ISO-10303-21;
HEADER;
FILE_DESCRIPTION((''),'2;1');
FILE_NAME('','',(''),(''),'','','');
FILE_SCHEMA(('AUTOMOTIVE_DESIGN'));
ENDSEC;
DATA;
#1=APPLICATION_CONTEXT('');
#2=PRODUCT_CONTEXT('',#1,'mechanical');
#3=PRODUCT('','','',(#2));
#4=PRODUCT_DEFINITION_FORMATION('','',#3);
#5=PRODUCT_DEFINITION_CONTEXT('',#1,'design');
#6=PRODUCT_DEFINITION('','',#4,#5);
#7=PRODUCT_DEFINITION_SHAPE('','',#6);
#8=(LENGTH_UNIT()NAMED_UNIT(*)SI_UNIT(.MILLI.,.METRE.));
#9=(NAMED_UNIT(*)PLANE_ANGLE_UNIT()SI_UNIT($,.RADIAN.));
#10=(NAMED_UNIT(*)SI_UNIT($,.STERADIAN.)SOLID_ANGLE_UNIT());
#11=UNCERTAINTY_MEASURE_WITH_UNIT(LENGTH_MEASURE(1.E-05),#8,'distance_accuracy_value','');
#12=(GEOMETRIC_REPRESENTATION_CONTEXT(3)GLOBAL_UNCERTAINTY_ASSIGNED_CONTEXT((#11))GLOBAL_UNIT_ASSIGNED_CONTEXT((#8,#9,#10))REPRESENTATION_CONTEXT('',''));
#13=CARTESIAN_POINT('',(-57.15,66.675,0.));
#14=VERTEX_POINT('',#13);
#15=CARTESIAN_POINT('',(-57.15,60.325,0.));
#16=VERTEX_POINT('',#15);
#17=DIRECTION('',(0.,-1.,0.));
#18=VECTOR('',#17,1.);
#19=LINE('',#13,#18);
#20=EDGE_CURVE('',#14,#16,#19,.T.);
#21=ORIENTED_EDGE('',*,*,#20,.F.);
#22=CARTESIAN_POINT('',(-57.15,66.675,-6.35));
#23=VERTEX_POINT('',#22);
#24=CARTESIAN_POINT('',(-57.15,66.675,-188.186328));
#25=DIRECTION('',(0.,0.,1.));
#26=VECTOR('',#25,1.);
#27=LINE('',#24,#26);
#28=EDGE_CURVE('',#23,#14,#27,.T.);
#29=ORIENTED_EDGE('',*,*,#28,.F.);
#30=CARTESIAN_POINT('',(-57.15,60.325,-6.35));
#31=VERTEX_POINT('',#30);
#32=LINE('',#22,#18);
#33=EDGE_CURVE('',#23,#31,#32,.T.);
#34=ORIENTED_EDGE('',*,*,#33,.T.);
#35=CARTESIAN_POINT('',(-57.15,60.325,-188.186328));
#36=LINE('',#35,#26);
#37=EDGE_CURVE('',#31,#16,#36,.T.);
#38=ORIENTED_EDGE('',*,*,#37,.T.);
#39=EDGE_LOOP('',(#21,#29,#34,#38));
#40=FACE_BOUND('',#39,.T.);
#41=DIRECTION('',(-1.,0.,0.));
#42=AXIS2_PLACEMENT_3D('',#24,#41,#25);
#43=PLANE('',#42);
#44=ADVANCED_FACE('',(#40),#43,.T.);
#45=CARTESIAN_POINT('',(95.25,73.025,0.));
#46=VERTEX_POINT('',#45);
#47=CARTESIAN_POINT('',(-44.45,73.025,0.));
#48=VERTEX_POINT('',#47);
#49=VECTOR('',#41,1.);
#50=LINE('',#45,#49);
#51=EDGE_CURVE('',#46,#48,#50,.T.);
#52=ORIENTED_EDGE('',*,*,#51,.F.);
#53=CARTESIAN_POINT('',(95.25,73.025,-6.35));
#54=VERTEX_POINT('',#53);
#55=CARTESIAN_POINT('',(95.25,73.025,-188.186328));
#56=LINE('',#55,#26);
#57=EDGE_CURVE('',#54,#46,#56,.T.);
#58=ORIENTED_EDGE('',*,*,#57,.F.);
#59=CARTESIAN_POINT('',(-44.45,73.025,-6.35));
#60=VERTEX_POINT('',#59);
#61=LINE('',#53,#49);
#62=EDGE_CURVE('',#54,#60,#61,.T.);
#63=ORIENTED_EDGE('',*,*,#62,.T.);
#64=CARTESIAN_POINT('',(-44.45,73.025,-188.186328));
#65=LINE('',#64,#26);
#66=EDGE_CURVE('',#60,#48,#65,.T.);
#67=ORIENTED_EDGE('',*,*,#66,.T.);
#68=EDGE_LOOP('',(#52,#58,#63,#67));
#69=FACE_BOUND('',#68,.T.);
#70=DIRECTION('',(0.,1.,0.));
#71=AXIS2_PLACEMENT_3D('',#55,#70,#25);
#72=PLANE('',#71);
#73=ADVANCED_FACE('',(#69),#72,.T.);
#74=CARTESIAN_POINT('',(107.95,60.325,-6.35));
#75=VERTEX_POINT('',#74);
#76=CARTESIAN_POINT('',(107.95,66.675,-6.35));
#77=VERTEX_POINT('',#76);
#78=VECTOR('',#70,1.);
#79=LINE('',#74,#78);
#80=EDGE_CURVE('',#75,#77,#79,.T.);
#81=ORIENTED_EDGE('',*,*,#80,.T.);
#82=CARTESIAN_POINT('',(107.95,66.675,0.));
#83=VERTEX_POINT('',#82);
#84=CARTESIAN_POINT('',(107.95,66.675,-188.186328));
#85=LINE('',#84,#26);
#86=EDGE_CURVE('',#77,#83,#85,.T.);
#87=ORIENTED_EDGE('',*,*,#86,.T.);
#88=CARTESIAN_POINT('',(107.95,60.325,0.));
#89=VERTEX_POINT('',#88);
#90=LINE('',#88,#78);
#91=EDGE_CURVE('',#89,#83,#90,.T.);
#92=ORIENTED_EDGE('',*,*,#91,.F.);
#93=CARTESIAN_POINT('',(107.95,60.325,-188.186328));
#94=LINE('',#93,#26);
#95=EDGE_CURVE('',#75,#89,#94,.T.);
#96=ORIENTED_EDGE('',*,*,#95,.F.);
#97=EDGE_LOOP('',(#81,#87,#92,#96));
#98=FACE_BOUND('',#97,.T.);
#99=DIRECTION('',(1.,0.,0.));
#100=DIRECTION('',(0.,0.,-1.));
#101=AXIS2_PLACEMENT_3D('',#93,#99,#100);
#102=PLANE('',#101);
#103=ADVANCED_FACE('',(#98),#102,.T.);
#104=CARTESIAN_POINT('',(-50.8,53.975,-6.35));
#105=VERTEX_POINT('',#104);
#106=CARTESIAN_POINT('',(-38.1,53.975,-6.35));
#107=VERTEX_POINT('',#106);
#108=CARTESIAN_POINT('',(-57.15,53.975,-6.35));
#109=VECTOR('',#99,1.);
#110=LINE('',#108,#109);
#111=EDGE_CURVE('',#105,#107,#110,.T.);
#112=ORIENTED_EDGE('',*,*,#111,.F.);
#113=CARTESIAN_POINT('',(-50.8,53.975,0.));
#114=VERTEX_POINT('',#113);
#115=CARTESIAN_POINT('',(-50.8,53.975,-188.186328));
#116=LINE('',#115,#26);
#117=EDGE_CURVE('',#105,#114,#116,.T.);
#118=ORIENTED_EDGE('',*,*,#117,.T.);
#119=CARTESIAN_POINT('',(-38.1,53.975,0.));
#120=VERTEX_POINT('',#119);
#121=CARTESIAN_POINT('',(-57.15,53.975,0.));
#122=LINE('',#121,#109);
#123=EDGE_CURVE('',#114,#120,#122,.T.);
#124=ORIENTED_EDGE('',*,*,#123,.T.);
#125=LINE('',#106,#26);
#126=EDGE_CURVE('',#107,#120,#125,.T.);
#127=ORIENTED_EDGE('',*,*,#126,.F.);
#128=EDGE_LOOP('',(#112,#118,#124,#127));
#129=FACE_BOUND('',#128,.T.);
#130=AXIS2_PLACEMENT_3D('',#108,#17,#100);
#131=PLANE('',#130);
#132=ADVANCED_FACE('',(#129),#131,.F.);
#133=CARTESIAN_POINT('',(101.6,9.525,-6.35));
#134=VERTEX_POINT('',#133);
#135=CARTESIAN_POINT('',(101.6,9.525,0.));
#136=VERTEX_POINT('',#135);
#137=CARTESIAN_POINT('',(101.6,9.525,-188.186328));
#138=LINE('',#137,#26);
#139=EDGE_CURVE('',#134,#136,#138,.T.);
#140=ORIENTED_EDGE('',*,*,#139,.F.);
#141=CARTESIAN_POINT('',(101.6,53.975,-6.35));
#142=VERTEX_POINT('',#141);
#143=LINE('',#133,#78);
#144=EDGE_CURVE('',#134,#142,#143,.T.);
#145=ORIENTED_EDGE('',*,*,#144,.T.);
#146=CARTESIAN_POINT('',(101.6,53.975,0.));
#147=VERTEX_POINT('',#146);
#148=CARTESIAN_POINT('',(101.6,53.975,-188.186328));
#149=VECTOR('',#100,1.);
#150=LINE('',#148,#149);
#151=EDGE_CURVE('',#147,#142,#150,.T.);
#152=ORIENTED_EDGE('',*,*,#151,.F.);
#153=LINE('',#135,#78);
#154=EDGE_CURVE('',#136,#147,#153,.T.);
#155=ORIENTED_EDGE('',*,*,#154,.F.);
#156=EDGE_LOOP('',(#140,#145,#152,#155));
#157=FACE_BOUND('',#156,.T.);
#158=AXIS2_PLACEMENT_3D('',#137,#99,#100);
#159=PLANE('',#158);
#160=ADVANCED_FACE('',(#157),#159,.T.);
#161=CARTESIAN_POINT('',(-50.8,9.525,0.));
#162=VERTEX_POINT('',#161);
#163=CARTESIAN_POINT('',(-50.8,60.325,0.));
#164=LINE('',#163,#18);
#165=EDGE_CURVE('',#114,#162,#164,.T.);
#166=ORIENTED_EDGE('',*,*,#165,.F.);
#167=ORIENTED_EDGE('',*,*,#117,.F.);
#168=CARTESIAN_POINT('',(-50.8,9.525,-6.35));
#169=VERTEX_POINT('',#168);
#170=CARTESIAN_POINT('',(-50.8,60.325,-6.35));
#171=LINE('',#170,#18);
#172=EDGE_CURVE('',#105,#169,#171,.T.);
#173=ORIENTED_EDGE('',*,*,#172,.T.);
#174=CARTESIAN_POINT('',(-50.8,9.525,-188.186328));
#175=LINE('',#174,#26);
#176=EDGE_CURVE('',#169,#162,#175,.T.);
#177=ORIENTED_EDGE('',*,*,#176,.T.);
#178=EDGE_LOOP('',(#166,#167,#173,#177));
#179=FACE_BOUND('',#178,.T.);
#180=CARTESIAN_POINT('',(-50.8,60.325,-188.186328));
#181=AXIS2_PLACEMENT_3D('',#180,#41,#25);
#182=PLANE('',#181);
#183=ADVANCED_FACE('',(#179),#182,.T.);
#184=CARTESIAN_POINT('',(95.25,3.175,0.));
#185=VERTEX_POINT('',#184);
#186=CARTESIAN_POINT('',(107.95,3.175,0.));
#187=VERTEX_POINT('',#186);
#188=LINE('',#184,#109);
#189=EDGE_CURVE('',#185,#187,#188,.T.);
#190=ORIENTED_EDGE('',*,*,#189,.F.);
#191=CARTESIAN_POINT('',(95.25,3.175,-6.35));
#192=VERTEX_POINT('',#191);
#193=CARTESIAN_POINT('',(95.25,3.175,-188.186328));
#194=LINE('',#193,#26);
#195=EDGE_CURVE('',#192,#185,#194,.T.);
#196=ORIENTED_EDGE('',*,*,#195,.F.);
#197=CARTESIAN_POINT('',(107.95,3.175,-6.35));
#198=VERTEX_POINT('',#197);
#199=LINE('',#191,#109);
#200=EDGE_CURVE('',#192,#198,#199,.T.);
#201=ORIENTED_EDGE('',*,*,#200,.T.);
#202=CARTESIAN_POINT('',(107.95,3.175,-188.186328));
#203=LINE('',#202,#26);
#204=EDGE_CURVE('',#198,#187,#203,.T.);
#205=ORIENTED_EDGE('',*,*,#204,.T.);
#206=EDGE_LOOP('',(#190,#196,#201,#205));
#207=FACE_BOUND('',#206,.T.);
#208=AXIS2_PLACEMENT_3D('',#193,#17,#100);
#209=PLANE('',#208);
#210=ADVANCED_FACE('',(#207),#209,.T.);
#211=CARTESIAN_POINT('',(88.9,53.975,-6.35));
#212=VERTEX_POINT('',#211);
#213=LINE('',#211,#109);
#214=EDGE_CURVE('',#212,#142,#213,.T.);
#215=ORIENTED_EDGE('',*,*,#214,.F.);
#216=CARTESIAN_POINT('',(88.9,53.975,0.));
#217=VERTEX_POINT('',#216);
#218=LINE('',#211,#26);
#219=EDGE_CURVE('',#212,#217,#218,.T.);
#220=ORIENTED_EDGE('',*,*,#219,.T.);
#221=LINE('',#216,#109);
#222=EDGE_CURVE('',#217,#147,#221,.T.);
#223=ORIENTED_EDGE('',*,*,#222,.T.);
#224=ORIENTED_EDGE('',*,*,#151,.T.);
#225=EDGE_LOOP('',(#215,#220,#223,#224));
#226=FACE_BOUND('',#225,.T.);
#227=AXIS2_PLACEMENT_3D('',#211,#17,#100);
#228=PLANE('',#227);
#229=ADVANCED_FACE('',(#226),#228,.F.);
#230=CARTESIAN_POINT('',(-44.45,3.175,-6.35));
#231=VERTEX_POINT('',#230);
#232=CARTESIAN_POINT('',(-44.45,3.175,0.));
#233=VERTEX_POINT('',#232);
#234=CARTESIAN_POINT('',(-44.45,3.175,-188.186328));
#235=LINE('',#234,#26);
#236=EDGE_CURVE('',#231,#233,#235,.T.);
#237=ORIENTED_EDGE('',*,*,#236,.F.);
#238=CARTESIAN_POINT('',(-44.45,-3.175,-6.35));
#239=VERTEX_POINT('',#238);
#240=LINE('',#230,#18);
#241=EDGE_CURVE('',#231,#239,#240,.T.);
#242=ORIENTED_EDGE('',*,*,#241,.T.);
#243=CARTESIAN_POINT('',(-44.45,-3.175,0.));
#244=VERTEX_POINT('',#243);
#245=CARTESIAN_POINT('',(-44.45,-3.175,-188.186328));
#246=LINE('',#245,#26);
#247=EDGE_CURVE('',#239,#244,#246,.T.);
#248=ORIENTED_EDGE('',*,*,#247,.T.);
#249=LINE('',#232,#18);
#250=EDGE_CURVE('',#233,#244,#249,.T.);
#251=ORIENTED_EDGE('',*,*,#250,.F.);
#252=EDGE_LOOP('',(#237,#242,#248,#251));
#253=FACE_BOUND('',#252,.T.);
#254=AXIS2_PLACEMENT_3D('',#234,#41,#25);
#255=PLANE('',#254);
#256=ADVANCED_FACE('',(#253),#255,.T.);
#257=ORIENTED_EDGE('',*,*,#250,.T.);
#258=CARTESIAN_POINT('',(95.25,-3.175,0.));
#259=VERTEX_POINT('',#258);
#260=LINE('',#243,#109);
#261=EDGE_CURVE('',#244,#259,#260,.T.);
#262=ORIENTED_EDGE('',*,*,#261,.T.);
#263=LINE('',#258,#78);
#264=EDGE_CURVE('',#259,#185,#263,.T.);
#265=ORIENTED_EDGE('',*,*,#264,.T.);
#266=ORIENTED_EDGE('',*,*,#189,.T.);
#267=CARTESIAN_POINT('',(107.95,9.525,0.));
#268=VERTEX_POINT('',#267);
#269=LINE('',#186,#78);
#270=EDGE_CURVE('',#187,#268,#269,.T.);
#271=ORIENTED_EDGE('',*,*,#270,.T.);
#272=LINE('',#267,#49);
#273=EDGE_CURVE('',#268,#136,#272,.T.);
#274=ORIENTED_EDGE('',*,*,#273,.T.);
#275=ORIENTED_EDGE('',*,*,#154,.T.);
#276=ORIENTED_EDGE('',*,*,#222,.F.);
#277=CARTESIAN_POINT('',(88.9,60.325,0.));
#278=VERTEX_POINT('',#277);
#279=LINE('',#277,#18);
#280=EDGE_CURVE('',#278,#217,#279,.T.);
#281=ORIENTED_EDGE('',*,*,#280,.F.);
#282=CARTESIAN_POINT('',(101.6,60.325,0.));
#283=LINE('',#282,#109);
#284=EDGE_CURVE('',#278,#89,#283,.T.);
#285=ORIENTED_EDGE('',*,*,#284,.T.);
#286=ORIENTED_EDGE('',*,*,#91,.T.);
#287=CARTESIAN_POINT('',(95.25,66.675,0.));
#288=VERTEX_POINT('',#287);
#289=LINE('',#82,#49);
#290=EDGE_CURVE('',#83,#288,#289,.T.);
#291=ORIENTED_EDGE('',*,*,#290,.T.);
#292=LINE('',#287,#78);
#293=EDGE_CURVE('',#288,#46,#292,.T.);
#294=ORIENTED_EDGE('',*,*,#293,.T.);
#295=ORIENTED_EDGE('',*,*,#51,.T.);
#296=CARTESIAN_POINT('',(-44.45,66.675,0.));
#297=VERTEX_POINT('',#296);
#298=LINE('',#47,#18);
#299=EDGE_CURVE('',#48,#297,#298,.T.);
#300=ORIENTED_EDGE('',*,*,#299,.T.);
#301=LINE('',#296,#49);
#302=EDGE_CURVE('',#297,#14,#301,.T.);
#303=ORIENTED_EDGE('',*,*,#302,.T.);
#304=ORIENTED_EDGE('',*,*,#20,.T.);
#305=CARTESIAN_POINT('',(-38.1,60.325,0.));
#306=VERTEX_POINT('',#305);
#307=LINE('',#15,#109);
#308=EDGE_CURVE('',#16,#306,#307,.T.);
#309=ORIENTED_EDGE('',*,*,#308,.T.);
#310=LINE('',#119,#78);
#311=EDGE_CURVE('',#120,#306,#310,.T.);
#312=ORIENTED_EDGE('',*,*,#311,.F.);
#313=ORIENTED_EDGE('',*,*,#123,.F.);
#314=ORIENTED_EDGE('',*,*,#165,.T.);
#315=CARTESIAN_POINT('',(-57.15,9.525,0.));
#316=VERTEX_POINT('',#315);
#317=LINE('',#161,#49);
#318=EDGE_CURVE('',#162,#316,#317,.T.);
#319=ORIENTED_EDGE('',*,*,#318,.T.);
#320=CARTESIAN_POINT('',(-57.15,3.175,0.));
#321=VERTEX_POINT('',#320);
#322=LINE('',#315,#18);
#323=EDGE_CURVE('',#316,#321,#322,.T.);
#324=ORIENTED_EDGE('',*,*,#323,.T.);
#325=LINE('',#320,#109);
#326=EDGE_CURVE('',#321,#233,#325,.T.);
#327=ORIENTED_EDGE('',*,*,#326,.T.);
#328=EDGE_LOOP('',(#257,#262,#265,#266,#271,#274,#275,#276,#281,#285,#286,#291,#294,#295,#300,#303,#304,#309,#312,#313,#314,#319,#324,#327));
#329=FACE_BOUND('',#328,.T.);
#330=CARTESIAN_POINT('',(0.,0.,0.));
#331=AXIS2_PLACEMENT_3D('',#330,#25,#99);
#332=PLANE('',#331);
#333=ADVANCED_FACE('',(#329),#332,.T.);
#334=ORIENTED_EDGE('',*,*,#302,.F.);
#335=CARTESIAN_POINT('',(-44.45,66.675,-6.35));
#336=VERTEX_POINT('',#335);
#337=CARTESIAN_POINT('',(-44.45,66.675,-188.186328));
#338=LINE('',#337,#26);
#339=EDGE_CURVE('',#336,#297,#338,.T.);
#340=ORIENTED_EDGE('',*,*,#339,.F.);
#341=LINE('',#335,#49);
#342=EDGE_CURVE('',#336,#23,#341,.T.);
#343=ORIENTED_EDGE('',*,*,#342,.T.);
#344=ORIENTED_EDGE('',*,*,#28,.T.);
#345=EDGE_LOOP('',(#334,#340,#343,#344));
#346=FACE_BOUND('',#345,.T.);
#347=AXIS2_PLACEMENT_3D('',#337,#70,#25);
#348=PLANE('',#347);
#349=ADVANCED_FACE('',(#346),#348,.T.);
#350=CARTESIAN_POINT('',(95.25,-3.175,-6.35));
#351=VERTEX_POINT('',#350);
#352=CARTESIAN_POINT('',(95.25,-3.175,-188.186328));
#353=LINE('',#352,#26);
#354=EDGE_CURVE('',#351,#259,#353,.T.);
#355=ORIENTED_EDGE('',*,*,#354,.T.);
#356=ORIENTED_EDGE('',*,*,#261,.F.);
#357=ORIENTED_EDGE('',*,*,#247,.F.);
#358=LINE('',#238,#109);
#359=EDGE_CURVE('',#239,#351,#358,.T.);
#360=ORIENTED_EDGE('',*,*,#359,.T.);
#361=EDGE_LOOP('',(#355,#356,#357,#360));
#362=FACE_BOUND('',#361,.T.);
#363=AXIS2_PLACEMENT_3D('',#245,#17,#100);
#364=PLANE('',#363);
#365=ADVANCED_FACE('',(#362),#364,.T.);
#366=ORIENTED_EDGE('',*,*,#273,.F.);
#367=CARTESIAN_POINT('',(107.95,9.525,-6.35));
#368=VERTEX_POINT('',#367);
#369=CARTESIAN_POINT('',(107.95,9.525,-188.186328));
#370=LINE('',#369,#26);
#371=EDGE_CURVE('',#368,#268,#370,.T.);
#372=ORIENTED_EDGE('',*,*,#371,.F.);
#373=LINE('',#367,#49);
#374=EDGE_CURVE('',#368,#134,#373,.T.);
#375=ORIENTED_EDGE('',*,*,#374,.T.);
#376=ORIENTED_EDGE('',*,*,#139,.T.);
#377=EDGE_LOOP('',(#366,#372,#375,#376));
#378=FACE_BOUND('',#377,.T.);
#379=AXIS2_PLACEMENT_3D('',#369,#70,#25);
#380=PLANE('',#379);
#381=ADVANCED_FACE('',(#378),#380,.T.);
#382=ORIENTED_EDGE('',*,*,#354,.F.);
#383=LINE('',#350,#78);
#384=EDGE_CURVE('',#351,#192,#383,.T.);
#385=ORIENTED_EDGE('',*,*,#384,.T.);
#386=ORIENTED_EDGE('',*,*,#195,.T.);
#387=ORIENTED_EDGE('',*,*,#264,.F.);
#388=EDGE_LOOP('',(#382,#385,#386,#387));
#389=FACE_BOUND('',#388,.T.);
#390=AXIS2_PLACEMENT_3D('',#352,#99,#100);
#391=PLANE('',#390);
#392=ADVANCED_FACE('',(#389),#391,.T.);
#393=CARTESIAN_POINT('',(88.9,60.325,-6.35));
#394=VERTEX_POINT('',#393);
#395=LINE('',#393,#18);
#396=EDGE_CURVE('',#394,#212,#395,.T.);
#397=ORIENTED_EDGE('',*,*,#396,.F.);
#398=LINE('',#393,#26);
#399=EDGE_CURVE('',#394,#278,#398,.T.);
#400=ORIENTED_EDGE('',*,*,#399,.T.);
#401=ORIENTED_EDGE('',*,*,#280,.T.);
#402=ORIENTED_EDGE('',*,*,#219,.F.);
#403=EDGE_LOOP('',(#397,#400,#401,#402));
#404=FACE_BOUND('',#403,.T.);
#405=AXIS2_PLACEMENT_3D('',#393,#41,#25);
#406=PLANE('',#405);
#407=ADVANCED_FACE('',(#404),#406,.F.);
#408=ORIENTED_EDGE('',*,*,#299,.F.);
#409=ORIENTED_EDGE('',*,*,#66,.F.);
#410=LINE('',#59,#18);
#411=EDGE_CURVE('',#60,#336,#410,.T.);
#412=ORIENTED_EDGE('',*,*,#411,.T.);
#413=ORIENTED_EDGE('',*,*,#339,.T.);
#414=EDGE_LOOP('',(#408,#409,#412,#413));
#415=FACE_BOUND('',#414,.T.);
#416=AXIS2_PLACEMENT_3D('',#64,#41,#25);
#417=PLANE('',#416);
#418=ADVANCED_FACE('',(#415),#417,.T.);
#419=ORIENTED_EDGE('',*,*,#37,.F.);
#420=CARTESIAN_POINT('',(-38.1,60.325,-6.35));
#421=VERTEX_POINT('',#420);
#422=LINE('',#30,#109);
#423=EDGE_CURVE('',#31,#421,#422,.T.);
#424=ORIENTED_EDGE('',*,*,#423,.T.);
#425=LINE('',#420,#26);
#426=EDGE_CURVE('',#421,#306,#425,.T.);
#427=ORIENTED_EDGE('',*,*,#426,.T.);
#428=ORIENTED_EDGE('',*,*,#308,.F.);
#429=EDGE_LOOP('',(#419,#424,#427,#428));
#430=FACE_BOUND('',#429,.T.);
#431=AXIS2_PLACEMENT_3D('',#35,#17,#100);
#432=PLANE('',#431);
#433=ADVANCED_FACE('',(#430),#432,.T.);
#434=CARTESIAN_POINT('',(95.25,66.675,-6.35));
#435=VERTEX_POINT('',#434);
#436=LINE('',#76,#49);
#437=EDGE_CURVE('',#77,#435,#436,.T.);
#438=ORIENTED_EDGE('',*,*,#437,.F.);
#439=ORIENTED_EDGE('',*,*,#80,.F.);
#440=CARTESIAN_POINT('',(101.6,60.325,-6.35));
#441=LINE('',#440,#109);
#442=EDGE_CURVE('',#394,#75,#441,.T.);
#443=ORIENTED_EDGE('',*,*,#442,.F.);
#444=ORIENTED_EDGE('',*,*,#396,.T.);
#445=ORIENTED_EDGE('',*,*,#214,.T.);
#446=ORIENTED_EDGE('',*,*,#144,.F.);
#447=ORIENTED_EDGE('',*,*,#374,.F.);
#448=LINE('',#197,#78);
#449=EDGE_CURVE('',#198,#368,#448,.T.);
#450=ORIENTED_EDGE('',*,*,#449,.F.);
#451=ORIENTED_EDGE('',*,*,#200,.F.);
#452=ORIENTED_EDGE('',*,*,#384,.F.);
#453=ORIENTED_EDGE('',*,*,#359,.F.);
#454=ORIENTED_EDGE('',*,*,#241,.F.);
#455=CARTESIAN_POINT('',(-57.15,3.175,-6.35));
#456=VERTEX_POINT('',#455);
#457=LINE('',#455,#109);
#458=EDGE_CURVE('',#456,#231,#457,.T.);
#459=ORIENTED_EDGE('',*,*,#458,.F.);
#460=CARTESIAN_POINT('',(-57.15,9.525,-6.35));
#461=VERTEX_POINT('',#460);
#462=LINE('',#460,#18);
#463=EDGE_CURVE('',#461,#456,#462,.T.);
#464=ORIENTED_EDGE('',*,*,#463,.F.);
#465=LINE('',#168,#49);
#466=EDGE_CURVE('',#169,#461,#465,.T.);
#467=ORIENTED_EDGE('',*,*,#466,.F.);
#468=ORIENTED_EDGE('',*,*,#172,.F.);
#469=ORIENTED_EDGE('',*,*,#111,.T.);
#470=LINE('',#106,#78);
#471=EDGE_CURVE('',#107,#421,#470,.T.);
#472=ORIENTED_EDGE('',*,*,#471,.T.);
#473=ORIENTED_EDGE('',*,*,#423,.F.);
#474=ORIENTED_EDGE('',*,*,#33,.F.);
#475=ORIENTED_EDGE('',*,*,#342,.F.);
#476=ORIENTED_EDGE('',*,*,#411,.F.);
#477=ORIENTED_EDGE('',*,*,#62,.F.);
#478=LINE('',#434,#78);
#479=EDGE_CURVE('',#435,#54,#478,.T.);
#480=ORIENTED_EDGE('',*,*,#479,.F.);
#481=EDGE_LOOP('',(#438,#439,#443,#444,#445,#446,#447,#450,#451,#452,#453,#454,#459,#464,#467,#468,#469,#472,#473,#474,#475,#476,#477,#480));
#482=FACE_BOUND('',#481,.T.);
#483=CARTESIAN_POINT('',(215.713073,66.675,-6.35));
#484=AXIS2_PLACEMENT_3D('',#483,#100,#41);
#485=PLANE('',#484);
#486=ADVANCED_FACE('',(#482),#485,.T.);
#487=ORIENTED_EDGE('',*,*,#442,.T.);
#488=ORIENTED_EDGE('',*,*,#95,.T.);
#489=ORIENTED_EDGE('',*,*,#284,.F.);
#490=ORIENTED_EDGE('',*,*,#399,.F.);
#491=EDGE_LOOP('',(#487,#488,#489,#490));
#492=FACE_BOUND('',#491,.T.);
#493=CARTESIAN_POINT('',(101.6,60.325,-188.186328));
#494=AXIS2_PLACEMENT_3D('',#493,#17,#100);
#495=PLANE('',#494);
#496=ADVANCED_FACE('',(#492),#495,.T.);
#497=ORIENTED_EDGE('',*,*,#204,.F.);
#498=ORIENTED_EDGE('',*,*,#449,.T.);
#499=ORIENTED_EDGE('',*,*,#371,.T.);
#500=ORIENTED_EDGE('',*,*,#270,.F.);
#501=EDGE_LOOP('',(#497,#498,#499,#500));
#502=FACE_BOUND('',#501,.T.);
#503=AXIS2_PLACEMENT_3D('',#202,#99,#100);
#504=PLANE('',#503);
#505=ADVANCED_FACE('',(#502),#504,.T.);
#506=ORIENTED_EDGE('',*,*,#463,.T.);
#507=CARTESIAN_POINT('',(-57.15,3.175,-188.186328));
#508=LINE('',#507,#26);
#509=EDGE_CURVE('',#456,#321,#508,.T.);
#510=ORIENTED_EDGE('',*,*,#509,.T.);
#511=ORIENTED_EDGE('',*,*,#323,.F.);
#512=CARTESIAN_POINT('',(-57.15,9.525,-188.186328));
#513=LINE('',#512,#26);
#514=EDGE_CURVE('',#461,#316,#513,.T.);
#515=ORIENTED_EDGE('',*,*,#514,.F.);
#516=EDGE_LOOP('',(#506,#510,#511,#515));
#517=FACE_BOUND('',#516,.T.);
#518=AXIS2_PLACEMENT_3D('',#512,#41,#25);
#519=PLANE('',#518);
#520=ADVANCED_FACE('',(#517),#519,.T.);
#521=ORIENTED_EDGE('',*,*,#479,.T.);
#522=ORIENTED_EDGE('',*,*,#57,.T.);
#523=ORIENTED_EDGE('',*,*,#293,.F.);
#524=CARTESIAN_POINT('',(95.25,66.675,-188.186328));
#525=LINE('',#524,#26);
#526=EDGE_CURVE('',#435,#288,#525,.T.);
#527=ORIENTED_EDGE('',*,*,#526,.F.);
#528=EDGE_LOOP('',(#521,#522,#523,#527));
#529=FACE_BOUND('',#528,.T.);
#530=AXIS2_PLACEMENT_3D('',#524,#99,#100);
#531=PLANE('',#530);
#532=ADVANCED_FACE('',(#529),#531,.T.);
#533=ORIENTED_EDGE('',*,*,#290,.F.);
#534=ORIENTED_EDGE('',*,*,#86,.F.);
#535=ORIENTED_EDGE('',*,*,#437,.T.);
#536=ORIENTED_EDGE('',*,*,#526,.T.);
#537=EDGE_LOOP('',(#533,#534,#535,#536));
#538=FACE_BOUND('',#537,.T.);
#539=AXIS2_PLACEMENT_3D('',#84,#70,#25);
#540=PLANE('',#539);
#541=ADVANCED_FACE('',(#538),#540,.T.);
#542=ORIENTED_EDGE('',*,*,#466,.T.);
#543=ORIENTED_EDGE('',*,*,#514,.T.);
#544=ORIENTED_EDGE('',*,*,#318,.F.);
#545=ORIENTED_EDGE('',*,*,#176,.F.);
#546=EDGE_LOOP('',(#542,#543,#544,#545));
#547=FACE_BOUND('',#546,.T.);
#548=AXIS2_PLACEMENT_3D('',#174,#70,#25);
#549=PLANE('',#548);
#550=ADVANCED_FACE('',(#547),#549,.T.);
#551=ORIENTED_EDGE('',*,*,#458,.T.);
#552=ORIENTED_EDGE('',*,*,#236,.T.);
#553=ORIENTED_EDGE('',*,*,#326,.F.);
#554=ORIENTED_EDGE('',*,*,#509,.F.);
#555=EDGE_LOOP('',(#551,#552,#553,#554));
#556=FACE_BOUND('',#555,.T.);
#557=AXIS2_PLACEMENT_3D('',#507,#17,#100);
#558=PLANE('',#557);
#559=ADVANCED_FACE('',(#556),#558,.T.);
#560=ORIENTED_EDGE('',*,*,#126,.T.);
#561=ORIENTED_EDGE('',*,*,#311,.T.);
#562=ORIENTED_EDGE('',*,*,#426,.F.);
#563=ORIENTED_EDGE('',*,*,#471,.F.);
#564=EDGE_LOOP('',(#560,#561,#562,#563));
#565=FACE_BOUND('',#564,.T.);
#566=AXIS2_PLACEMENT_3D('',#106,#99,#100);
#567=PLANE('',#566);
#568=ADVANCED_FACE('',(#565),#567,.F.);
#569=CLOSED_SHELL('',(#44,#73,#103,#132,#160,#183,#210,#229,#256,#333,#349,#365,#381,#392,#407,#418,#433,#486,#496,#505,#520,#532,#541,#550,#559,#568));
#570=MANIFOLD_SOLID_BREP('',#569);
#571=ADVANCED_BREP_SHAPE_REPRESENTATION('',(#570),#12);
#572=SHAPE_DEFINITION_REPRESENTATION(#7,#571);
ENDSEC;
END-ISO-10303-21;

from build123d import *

# Parameters (mm, degrees)
BOSS_EXTRUDE1_DEPTH = 6.35
SKETCH2_W           = 19.05
SKETCH2_H           = 6.35
CUT_EXTRUDE1_DEPTH  = 131.484388434


with BuildPart() as part:
    # Sketch1 → Boss-Extrude1 (new body)
    with BuildSketch(Plane.XY):
        Polygon((107.95, 3.175), (107.95, 9.525), (101.6, 9.525), (101.6, 60.325), (107.95, 60.325), (107.95, 66.675), (95.25, 66.675), (95.25, 73.025), (-44.45, 73.025), (-44.45, 66.675), (-57.15, 66.675), (-57.15, 60.325), (-50.8, 60.325), (-50.8, 9.525), (-57.15, 9.525), (-57.15, 3.175), (-44.45, 3.175), (-44.45, -3.175), (95.25, -3.175), (95.25, 3.175), align=None)
    extrude(amount=-BOSS_EXTRUDE1_DEPTH)

    # Sketch2 → Cut-Extrude1 (cut, through all)
    with BuildSketch(Plane.XY):
        with Locations((98.425, 57.15)):
            Rectangle(SKETCH2_W, SKETCH2_H)
        with Locations((-47.625, 57.15)):
            Rectangle(SKETCH2_W, SKETCH2_H)
    extrude(amount=-CUT_EXTRUDE1_DEPTH, mode=Mode.SUBTRACT)


solid = part.part
